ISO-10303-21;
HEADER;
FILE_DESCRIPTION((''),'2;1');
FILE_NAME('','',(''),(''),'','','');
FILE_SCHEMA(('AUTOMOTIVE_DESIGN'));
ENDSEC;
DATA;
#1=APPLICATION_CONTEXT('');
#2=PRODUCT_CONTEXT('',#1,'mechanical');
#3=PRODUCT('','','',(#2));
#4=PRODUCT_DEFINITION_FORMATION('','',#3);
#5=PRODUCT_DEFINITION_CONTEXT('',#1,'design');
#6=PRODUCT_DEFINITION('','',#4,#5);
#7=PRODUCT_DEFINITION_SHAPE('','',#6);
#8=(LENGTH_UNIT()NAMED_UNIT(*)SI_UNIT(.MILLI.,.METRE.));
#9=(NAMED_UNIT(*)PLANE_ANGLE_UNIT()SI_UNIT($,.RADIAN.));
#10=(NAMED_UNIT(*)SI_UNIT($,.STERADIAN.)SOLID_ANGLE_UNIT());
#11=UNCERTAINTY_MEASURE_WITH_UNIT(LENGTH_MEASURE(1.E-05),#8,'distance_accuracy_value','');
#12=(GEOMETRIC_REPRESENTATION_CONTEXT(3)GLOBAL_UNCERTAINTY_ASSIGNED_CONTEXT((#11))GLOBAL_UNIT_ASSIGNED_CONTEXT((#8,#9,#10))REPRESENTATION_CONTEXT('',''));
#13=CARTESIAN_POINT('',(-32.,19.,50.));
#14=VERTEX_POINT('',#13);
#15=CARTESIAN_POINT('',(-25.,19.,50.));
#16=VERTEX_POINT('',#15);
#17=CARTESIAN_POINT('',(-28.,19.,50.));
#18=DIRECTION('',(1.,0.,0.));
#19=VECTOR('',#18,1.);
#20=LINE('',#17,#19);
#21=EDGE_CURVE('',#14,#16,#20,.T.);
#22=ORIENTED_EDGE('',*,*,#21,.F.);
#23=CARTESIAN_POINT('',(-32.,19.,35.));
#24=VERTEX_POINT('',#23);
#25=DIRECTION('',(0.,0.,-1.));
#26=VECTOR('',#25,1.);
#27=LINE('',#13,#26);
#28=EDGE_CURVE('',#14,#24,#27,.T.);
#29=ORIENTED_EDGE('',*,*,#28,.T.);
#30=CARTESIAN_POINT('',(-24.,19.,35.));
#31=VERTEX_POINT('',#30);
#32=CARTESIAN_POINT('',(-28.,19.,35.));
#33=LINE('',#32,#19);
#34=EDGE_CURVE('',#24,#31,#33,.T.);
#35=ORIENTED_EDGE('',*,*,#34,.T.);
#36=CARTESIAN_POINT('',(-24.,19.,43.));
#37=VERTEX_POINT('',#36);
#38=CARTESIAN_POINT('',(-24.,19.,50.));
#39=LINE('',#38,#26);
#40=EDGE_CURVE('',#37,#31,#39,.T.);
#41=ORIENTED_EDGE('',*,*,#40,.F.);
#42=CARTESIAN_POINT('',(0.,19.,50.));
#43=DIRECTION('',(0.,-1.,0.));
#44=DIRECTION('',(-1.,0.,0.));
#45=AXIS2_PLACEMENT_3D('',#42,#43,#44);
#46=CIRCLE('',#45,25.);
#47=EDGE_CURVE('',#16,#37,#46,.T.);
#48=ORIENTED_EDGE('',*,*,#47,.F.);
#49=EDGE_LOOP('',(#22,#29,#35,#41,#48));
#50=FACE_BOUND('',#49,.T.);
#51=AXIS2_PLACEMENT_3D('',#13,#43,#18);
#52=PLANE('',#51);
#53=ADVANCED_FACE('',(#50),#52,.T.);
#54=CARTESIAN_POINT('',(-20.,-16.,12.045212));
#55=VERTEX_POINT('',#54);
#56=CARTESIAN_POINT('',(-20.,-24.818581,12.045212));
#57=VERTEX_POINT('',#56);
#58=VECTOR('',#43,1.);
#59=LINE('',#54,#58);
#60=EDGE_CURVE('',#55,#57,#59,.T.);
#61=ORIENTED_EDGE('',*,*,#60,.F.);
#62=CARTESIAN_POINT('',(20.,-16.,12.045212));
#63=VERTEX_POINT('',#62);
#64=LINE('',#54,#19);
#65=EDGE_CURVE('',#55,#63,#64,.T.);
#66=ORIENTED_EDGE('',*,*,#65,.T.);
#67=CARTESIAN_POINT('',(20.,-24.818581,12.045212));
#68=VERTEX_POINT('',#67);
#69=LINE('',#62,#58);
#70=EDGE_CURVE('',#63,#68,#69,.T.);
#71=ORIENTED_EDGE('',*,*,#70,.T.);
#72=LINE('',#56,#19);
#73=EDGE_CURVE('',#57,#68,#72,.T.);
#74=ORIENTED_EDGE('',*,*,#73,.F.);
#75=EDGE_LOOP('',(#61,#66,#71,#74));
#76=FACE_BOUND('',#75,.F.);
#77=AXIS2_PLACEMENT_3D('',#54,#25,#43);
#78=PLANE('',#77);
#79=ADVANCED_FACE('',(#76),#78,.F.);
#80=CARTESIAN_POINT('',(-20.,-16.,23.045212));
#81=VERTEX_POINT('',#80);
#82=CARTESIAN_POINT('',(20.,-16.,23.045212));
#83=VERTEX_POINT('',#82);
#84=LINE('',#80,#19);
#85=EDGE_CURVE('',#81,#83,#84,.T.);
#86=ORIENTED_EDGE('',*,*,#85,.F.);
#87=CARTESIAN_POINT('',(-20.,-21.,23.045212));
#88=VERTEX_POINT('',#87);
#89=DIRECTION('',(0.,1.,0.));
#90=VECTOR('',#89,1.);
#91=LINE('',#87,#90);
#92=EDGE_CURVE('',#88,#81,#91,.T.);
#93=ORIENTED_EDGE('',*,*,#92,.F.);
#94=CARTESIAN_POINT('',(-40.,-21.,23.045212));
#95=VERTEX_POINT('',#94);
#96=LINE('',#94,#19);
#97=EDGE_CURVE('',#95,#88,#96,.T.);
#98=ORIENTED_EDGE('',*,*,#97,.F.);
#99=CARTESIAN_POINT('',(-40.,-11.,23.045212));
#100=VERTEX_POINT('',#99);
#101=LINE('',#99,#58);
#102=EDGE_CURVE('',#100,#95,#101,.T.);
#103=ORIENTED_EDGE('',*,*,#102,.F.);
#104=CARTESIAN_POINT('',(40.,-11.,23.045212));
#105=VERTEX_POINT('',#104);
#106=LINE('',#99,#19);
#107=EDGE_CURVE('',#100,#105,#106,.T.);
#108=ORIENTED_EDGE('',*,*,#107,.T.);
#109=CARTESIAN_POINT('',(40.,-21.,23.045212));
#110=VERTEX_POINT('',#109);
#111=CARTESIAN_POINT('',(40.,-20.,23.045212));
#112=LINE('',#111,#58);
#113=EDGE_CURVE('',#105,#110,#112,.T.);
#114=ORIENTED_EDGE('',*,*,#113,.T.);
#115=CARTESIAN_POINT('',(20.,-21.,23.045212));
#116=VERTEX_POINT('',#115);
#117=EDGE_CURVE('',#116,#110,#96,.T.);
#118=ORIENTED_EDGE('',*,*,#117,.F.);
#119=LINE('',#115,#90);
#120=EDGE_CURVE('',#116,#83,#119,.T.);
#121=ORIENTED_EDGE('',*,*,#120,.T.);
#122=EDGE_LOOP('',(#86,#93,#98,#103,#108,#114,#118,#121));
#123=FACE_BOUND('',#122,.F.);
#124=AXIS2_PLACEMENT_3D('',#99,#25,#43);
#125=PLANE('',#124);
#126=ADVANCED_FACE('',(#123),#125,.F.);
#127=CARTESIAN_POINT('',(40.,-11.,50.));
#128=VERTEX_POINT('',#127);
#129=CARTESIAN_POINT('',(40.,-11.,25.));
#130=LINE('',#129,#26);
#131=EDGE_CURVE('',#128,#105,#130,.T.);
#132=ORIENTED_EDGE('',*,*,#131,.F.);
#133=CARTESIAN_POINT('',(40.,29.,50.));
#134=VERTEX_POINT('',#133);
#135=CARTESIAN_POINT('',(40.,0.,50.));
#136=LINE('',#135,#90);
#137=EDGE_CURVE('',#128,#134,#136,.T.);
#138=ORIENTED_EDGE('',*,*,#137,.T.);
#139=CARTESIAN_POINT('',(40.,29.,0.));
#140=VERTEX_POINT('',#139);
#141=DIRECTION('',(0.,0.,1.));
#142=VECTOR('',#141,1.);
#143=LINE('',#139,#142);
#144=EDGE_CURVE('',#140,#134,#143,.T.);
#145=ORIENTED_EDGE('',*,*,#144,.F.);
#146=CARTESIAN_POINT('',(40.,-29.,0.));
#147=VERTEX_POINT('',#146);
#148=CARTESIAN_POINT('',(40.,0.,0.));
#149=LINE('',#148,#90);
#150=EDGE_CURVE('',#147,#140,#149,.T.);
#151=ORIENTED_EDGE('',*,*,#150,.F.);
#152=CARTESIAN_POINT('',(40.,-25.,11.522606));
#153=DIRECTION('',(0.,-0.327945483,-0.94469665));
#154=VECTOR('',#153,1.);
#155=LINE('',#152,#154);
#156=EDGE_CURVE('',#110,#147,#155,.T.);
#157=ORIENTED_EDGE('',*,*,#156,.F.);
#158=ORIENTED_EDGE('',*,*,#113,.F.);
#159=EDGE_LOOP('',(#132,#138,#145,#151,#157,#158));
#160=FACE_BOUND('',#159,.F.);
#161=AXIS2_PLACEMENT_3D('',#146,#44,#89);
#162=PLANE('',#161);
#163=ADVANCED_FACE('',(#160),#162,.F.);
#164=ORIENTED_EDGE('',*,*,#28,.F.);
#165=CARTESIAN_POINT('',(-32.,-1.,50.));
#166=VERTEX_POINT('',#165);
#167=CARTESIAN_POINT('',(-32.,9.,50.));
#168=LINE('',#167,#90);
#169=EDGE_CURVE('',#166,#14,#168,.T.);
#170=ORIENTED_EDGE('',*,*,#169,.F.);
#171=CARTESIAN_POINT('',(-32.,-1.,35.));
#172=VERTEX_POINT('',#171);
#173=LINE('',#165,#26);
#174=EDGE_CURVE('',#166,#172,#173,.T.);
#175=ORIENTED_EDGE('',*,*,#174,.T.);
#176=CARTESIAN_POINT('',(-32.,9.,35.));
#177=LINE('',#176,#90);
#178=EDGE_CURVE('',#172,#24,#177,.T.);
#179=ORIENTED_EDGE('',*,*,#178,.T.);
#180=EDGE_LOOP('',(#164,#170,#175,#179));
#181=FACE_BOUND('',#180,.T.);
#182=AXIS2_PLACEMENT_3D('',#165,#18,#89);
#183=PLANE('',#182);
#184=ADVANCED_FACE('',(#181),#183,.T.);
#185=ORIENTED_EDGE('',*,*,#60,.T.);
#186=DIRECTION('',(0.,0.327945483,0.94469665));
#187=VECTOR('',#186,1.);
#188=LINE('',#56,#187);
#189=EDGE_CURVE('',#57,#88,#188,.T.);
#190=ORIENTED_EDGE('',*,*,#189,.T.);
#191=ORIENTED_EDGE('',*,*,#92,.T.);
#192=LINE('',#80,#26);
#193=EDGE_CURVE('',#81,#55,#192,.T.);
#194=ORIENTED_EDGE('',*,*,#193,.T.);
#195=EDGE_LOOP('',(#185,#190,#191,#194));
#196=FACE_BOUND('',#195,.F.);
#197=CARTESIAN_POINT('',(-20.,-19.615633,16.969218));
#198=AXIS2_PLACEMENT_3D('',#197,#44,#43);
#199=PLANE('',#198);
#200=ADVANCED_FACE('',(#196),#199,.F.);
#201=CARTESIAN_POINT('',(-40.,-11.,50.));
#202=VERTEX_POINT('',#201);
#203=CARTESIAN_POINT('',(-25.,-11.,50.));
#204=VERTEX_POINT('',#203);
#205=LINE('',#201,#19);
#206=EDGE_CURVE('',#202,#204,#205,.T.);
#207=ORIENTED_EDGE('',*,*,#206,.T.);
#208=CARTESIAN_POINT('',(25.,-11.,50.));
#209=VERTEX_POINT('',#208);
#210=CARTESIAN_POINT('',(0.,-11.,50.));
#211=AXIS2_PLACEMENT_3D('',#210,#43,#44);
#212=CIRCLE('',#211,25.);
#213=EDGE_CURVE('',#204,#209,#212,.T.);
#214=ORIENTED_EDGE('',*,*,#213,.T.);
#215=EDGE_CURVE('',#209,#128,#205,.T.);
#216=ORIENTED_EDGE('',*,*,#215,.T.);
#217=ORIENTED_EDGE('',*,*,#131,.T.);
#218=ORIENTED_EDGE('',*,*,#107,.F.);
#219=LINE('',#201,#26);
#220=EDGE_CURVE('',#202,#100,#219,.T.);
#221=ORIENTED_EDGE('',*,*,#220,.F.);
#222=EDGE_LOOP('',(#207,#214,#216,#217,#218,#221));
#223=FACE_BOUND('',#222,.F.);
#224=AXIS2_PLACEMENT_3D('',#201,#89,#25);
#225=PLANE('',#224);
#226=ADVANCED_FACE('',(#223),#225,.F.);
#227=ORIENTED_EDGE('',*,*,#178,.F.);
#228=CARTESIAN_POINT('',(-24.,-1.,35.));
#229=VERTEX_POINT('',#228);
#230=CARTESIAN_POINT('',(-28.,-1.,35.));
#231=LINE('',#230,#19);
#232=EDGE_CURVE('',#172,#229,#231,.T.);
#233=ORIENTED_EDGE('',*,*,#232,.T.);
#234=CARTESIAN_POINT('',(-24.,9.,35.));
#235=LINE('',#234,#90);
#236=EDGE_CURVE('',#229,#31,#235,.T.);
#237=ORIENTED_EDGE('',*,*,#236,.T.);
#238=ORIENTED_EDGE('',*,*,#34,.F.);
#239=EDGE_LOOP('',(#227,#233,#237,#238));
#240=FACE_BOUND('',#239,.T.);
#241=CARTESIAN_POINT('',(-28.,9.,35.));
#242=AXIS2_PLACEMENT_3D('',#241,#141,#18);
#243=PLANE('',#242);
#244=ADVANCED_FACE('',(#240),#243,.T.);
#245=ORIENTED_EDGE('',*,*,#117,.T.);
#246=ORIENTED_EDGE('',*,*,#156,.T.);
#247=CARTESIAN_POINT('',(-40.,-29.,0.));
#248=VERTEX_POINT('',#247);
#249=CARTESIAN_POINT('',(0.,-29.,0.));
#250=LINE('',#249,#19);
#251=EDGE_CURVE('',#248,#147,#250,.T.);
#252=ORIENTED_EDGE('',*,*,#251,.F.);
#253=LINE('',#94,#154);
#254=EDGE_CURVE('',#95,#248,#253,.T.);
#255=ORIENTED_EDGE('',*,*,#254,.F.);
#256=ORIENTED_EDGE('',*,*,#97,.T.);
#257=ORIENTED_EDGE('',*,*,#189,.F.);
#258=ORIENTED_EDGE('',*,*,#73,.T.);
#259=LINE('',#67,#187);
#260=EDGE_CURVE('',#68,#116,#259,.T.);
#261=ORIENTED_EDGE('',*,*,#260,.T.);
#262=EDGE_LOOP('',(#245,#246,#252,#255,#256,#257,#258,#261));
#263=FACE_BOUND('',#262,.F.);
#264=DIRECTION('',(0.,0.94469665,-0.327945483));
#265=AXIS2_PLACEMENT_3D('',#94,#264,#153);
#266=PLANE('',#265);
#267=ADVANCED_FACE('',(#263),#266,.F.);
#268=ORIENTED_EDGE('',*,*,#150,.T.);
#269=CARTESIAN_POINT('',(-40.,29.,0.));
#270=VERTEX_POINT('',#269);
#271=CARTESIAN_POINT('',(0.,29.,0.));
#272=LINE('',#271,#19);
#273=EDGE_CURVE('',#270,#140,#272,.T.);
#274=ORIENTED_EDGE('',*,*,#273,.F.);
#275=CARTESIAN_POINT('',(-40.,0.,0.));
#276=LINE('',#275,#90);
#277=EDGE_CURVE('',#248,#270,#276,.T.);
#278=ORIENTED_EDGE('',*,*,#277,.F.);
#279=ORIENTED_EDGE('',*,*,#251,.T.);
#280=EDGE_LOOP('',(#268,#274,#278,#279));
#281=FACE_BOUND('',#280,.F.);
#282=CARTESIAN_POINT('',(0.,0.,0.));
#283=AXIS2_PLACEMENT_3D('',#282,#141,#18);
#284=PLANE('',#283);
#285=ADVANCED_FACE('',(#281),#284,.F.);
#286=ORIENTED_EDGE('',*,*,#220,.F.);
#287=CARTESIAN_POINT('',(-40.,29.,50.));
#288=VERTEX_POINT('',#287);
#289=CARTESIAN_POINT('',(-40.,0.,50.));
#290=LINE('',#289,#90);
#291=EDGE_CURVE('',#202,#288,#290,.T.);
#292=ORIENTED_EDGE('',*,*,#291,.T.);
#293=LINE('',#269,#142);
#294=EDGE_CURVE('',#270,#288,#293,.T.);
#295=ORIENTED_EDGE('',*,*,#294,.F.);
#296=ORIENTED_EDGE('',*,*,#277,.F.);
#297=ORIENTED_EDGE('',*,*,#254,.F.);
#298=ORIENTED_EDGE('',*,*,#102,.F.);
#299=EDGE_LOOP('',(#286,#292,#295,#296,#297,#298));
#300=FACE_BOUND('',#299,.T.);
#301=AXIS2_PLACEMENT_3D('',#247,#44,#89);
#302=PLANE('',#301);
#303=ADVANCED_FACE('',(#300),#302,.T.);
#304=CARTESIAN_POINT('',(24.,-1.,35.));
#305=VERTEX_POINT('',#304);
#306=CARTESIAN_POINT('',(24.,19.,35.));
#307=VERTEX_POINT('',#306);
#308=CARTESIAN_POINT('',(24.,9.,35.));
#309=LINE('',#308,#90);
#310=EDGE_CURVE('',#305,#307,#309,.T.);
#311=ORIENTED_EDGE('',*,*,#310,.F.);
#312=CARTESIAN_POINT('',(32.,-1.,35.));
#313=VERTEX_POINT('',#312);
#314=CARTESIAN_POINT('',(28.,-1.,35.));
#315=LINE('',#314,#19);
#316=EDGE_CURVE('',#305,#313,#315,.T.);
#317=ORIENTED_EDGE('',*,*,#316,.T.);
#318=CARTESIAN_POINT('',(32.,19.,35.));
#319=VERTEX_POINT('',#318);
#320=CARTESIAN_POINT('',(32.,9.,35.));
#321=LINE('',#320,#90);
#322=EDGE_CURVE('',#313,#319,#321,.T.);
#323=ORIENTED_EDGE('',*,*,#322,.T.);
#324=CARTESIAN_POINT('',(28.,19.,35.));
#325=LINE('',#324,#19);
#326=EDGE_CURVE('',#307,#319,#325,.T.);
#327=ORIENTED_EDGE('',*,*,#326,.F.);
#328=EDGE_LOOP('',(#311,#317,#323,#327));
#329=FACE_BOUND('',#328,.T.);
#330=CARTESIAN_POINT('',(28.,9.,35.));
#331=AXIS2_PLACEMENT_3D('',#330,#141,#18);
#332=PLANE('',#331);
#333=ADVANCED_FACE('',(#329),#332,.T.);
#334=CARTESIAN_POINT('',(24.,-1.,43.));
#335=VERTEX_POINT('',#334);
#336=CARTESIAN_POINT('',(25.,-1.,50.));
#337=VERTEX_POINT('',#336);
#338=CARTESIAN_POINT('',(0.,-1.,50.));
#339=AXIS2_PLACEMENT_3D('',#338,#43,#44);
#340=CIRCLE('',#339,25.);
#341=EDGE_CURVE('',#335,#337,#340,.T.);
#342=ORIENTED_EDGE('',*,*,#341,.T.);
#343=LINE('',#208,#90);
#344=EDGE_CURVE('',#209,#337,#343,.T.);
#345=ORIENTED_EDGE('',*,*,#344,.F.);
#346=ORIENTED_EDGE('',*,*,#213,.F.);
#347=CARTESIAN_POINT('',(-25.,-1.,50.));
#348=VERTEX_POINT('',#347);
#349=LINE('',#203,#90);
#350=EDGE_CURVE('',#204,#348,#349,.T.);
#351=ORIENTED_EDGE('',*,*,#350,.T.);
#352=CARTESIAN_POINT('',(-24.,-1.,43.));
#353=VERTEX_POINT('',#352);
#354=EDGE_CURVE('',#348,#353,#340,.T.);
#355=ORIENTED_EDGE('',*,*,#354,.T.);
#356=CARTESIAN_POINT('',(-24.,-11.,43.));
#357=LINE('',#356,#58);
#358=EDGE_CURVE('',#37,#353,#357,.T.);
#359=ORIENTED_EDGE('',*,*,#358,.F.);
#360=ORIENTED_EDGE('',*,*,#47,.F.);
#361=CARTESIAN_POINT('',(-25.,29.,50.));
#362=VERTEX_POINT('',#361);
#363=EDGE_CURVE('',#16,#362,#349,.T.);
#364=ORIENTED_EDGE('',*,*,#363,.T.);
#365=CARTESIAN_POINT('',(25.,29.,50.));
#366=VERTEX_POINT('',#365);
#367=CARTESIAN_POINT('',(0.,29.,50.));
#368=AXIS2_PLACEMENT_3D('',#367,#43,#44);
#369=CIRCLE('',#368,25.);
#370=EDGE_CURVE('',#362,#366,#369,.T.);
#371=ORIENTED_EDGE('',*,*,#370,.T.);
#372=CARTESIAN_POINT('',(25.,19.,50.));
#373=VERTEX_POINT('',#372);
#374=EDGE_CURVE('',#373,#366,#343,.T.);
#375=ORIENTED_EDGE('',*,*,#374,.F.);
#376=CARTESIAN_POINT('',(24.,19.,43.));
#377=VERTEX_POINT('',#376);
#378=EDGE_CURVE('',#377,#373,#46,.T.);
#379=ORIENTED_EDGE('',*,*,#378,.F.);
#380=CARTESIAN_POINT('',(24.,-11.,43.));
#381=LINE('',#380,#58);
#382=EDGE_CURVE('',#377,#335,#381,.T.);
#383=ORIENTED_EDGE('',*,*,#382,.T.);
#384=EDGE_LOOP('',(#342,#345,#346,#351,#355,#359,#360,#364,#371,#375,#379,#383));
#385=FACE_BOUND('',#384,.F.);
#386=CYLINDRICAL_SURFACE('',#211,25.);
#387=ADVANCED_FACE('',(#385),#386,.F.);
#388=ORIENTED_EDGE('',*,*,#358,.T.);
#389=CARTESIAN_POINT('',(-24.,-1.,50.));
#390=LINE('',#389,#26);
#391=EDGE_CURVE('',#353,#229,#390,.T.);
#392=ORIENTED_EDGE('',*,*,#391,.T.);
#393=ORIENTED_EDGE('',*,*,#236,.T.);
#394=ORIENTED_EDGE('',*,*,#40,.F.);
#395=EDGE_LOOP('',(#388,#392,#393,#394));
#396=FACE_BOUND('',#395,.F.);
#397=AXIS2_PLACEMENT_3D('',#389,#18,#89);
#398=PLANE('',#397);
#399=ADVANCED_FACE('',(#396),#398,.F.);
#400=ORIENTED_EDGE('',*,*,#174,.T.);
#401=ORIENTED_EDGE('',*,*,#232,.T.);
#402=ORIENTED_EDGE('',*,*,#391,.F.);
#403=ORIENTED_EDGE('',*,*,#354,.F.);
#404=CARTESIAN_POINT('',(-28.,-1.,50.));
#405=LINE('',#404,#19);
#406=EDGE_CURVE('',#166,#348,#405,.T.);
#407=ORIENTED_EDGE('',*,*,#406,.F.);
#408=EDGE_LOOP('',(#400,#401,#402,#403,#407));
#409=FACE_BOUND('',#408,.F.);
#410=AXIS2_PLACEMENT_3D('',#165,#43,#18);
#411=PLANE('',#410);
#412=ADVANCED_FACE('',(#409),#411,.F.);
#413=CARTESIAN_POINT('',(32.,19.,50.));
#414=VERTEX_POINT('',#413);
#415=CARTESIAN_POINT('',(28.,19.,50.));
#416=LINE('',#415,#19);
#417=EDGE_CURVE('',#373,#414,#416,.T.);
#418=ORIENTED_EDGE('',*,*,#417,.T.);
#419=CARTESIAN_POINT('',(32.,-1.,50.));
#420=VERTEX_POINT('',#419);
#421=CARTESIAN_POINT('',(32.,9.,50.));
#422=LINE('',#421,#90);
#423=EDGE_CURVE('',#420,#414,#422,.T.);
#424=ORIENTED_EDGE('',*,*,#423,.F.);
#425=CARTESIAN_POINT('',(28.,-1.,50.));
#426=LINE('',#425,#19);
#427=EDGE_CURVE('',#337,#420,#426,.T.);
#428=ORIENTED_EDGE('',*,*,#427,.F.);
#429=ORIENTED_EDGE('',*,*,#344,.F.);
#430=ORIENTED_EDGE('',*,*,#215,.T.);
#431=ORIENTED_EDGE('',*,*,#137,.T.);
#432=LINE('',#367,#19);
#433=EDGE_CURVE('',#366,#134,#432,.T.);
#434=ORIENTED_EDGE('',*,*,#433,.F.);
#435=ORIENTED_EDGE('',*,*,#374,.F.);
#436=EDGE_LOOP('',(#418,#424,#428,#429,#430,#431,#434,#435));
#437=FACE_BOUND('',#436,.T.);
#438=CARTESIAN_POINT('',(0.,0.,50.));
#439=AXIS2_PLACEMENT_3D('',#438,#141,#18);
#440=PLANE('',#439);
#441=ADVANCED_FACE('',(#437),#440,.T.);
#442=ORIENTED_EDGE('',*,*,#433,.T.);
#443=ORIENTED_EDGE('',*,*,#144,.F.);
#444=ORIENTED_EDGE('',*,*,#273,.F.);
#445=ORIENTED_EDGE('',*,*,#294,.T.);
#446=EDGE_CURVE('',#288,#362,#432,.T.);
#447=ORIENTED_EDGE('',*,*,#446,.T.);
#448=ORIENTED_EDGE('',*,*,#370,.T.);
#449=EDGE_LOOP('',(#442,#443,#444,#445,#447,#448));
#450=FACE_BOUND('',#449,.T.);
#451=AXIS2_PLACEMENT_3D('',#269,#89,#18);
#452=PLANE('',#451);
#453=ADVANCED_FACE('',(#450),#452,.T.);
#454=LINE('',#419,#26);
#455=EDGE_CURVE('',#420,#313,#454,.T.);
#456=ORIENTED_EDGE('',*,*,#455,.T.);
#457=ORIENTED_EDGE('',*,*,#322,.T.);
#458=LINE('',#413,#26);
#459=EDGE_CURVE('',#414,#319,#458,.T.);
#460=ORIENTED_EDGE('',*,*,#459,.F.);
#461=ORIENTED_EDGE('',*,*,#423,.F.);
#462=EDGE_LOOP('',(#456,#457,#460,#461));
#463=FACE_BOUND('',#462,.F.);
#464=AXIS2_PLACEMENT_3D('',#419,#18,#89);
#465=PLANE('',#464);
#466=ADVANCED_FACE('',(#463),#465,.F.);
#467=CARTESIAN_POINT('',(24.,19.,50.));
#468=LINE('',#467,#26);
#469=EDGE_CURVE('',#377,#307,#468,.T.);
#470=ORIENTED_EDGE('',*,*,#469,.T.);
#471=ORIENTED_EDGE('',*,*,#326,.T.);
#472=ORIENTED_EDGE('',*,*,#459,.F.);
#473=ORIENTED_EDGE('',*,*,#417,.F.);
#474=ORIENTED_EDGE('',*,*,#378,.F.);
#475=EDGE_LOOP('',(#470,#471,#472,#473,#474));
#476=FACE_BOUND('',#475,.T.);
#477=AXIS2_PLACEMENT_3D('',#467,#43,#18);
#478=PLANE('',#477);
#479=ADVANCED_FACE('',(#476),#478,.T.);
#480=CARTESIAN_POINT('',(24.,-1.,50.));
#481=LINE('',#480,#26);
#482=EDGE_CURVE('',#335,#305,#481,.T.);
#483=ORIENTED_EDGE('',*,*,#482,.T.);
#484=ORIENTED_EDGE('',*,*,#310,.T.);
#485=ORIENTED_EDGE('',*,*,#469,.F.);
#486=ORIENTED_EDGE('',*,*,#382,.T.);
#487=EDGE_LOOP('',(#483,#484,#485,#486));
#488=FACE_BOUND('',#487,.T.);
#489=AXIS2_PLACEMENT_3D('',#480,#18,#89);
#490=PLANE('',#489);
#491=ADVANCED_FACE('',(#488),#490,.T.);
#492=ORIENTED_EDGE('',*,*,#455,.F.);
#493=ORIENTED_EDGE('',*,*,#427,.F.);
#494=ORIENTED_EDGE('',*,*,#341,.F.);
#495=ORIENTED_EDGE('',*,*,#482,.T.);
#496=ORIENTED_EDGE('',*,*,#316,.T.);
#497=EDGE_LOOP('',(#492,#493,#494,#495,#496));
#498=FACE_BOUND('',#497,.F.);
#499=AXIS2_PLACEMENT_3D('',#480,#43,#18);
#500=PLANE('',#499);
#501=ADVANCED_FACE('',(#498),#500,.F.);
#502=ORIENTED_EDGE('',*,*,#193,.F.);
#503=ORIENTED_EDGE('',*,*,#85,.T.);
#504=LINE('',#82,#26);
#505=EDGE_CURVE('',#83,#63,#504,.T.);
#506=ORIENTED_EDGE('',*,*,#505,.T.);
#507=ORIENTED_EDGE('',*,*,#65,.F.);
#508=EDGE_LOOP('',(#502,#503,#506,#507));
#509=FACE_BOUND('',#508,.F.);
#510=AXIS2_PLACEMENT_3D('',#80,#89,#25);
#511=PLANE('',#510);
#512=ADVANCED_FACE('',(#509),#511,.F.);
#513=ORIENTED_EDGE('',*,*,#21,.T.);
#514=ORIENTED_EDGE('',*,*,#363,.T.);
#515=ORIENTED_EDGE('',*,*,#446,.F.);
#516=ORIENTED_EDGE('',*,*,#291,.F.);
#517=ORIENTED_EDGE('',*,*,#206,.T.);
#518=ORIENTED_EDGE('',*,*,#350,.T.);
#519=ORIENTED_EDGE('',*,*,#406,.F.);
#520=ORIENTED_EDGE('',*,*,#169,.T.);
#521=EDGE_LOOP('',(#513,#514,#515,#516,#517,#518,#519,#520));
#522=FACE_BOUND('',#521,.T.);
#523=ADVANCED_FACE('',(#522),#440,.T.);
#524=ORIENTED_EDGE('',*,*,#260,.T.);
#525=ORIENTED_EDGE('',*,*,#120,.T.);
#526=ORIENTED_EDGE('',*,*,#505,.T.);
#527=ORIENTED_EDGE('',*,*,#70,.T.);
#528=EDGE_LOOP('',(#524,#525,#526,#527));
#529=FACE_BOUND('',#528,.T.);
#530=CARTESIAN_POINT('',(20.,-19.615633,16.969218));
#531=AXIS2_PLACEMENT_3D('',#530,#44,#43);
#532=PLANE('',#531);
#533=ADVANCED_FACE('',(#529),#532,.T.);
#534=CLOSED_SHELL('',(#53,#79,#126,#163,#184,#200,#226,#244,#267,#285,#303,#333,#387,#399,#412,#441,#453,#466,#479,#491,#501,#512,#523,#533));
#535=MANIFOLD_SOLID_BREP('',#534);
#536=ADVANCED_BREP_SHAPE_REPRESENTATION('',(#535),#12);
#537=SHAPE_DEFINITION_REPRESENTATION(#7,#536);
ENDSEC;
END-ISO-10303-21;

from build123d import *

# Parameters (mm, degrees)
F0_W      = 80
F0_H      = 58
F1_DEPTH  = 50
F3_DEPTH  = 80.001
F6_DEPTH  = 40
F7_W      = 8
F7_H      = 20
F8_DEPTH  = 15
F10_DEPTH = 40.001


with BuildPart() as f1:
    # F0 (on Top) → F1 (new body)
    with BuildSketch(Plane.XY):
        Rectangle(F0_W, F0_H)
    extrude(amount=F1_DEPTH)

    # F2 (on face) → F3 (cut, through all)
    with BuildSketch(Plane(origin=(-40, 0, 0), x_dir=(0, -1, 0), z_dir=(-1, 0, 0))):
        Polygon((29, 50), (11, 50), (11, 23.0452120304), (21, 23.0452120304), (29, 0), align=None)
    extrude(amount=-F3_DEPTH, mode=Mode.SUBTRACT)

    # F5 (on offset) → F6 (cut)
    with BuildSketch(Plane(origin=(-20, 0, 0), x_dir=(0, -1, 0), z_dir=(-1, 0, 0))):
        Polygon((24.8185806181, 12.0452120304), (21, 23.0452120304), (16, 23.0452120304), (16, 12.0452120304), align=None)
    extrude(amount=-F6_DEPTH, mode=Mode.SUBTRACT)

    # F7 (on face) → F8 (cut)
    with BuildSketch(Plane.XY.offset(50)):
        with Locations((-28, 9)):
            Rectangle(F7_W, F7_H)
        with Locations((28, 9)):
            Rectangle(F7_W, F7_H)
    extrude(amount=-F8_DEPTH, mode=Mode.SUBTRACT)

    # F9 (on face) → F10 (cut, through all)
    with BuildSketch(Plane.XZ.offset(11)):
        with BuildLine():
            Line((25, 50), (-25, 50))
            ThreePointArc((-25, 50), (0, 25), (25, 50))
        make_face()
    extrude(amount=-F10_DEPTH, mode=Mode.SUBTRACT)


solid = f1.part
